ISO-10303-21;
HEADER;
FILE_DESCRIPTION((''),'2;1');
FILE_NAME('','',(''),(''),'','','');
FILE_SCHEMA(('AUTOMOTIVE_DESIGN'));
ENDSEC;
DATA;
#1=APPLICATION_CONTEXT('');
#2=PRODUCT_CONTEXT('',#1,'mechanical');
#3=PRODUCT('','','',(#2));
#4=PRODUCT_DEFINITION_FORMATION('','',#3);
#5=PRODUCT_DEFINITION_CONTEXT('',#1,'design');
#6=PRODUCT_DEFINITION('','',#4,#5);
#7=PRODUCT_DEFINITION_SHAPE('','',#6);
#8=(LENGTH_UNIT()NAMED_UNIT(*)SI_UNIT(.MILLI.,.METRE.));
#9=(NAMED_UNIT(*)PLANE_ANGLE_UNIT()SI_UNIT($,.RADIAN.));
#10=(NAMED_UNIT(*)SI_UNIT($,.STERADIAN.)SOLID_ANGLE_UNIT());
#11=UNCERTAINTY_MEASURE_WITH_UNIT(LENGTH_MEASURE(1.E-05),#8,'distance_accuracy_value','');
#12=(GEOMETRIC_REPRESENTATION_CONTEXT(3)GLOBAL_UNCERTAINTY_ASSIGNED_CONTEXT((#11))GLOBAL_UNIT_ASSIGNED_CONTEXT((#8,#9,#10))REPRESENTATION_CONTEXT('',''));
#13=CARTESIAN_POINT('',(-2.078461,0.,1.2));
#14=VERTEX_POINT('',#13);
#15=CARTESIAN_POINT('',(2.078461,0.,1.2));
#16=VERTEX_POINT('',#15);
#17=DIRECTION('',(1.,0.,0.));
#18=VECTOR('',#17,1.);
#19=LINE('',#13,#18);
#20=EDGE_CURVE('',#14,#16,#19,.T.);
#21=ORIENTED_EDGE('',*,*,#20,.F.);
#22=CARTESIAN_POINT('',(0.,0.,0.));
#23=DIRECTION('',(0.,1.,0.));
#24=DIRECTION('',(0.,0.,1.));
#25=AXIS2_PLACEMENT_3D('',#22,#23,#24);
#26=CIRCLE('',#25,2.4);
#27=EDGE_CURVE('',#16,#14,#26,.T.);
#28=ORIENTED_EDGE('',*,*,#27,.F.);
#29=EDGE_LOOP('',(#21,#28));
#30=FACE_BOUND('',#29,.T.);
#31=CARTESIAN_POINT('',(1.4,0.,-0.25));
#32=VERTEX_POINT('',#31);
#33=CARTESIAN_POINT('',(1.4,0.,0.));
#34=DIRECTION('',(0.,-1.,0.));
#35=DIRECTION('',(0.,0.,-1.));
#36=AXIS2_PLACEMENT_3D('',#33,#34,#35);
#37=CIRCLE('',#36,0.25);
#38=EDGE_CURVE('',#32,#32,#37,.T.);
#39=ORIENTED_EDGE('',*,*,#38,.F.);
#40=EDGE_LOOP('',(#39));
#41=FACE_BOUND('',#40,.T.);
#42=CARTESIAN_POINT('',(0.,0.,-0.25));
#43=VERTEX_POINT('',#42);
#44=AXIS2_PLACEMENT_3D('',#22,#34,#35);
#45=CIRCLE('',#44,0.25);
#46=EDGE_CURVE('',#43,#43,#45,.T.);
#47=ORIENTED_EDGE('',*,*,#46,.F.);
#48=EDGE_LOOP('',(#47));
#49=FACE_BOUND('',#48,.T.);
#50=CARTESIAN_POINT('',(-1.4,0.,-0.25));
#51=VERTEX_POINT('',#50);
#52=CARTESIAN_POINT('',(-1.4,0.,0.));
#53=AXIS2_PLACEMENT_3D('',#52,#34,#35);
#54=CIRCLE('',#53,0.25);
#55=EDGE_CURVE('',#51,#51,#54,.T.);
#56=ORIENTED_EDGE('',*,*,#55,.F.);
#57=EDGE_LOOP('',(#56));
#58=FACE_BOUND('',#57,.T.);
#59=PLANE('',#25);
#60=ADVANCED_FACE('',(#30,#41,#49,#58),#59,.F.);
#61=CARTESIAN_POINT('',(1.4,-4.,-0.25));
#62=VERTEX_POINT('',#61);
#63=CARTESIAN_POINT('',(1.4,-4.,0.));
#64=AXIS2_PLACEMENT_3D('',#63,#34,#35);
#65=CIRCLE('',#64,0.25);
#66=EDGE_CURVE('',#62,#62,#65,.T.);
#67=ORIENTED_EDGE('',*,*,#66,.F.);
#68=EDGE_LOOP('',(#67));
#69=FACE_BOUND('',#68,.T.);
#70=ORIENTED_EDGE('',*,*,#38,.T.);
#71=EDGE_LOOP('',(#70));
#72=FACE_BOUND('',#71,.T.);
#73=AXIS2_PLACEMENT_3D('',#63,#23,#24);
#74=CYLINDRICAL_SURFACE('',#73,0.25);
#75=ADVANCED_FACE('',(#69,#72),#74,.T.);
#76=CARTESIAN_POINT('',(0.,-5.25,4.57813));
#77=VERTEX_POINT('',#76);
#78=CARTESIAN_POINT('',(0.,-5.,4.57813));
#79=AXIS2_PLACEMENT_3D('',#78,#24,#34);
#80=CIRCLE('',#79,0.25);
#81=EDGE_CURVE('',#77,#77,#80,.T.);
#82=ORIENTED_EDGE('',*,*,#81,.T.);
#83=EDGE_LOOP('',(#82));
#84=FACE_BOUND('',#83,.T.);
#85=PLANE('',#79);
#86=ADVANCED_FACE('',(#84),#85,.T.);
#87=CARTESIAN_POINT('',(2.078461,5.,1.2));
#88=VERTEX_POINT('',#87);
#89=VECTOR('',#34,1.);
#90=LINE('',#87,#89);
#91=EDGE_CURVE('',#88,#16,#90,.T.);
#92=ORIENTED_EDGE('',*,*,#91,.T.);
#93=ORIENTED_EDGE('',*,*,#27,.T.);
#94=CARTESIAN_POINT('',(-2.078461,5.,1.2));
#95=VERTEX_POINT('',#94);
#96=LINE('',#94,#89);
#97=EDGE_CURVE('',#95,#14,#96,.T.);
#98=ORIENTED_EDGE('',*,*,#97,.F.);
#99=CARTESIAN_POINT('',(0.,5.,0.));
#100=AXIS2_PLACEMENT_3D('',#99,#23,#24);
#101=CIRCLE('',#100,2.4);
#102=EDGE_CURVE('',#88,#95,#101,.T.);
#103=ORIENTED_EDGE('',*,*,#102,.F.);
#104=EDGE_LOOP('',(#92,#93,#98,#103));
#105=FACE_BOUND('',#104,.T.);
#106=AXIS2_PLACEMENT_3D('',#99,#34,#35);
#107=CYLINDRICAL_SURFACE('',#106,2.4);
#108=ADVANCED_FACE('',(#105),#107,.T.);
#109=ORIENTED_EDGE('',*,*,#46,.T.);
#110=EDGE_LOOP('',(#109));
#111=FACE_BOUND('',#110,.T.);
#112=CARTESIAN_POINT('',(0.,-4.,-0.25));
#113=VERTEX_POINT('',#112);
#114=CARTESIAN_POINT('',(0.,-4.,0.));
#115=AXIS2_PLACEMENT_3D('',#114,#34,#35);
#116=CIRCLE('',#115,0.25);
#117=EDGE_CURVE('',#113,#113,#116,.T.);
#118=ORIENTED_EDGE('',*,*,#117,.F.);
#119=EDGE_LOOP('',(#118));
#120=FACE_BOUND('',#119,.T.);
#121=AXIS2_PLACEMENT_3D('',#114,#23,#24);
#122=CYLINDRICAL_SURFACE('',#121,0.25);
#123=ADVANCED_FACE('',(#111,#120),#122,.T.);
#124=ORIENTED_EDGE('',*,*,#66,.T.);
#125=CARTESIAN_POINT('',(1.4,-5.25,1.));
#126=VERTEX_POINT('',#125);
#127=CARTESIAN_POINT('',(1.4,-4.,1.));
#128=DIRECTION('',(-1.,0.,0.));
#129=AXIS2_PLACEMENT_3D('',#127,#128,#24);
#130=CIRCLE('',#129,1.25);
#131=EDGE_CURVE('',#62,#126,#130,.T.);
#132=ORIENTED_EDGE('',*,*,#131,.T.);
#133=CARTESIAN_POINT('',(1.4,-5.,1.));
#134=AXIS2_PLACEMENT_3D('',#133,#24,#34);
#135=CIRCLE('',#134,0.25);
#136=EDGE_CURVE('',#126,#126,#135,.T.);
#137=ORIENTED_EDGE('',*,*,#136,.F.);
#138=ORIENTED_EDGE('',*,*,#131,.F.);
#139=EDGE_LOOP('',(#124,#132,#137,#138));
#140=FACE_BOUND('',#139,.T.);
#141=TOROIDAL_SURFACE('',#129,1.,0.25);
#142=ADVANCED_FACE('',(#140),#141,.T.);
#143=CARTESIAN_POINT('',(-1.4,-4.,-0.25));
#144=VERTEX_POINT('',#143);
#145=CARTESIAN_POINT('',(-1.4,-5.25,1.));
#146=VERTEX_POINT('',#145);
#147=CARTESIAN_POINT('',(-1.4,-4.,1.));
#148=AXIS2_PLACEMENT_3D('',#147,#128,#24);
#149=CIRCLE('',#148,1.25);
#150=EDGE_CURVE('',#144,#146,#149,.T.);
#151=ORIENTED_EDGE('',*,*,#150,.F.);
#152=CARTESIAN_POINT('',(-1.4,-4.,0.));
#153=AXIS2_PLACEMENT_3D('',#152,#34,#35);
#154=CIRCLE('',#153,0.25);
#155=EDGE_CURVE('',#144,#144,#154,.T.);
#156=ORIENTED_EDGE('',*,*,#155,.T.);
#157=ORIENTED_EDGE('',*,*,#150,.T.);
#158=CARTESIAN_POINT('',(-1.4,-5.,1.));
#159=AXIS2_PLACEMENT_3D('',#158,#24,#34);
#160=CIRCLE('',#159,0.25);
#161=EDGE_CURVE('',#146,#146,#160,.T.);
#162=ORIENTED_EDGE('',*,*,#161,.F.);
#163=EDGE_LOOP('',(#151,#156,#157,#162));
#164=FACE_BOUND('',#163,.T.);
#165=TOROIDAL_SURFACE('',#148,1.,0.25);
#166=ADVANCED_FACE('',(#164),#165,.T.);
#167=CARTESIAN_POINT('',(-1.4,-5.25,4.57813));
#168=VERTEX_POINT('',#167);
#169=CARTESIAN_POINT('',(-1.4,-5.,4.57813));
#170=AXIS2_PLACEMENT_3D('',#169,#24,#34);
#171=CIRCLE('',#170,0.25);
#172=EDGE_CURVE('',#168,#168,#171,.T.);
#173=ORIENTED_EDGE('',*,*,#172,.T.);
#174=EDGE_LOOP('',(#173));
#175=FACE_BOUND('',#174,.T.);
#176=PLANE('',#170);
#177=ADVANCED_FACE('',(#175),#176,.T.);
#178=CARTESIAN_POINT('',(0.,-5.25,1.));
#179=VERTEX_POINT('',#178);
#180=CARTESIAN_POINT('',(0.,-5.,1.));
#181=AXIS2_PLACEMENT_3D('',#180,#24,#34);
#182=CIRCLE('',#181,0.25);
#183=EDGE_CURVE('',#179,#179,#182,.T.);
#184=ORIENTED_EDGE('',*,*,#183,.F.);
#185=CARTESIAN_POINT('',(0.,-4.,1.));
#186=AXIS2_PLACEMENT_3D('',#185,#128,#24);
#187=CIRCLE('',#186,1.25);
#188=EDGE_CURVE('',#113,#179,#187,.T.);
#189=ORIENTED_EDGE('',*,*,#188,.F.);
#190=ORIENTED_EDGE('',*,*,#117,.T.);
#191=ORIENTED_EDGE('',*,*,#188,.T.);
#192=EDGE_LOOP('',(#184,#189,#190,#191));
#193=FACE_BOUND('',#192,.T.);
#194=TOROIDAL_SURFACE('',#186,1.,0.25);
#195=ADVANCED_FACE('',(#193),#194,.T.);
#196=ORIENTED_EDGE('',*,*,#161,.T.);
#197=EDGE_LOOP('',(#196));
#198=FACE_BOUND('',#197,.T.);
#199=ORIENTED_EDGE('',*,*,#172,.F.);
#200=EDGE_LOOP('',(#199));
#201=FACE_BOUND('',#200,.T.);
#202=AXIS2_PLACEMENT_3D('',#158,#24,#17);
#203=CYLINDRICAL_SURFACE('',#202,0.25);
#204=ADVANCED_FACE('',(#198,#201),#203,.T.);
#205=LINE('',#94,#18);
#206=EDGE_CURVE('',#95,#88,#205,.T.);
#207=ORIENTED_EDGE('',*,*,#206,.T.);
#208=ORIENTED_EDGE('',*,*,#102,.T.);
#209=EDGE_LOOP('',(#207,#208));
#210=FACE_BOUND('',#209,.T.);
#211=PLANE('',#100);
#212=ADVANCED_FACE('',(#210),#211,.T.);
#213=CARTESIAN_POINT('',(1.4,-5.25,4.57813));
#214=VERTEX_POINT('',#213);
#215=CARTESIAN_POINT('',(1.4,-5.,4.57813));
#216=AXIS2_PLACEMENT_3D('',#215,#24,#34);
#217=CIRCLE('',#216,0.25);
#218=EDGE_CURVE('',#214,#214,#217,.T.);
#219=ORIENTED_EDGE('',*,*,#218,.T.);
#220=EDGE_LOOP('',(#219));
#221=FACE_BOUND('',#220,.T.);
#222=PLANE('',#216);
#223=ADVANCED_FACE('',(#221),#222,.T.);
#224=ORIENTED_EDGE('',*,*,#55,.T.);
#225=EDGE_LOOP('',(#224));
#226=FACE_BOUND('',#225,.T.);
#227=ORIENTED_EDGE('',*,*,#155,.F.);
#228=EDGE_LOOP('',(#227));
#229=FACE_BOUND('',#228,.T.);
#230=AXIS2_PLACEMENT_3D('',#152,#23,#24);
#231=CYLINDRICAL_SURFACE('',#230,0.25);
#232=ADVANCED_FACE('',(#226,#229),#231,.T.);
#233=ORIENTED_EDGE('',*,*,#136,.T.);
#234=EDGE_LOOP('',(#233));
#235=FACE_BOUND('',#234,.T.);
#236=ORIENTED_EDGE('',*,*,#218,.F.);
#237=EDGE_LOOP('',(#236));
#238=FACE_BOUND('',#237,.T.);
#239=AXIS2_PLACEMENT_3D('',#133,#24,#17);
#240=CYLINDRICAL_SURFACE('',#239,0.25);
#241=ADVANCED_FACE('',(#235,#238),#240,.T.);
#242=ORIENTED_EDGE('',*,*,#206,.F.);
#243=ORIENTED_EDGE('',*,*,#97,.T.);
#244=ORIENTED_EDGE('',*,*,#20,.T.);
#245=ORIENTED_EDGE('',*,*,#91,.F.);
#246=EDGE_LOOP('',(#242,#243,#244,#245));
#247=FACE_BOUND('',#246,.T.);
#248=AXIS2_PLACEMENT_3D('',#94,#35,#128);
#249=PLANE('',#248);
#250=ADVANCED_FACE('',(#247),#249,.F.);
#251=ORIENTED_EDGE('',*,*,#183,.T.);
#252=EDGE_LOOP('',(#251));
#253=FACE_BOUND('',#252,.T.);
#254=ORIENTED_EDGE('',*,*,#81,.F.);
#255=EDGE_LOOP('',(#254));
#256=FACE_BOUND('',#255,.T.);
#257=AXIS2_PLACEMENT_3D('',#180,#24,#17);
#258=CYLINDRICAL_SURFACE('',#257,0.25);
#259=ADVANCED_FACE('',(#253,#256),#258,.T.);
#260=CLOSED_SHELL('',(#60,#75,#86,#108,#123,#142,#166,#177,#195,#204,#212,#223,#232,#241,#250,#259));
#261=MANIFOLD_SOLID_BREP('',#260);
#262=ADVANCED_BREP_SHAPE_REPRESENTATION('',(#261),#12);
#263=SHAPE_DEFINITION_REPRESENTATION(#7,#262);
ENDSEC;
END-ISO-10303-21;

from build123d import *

# Parameters (mm, degrees)
EXTRUSION1_DEPTH = 5
ESQUISSE6_R      = 0.25


with BuildPart() as part:
    # Esquisse2 → Extrusion1 (new body)
    with BuildSketch(Plane(origin=(0, 0, 0), x_dir=(1, 0, 0), z_dir=(0, 1, 0))):
        with BuildLine():
            Line((-2.078460969, -1.2), (2.078460969, -1.2))
            ThreePointArc((2.078460969, -1.2), (0, 2.4), (-2.078460969, -1.2))
        make_face()
    extrude(amount=EXTRUSION1_DEPTH)

    # Balayage1: sweep along a path in Esquisse8
    with BuildLine(Plane(origin=(0, 0, 0), x_dir=(0, 0, -1), z_dir=(1, 0, 0))) as balayage1_path:
        Line((0, 0), (0, -4))
        ThreePointArc((0, -4), (-0.292893219, -4.707106781), (-1, -5))
        Line((-1, -5), (-4.578130226, -5))
    # Esquisse6 → Balayage1 (sweep)
    with BuildSketch(Plane.XZ):
        Circle(ESQUISSE6_R)
        with Locations((1.4, 0)):
            Circle(ESQUISSE6_R)
        with Locations((-1.4, 0)):
            Circle(ESQUISSE6_R)
    sweep(path=balayage1_path.line)


solid = part.part
